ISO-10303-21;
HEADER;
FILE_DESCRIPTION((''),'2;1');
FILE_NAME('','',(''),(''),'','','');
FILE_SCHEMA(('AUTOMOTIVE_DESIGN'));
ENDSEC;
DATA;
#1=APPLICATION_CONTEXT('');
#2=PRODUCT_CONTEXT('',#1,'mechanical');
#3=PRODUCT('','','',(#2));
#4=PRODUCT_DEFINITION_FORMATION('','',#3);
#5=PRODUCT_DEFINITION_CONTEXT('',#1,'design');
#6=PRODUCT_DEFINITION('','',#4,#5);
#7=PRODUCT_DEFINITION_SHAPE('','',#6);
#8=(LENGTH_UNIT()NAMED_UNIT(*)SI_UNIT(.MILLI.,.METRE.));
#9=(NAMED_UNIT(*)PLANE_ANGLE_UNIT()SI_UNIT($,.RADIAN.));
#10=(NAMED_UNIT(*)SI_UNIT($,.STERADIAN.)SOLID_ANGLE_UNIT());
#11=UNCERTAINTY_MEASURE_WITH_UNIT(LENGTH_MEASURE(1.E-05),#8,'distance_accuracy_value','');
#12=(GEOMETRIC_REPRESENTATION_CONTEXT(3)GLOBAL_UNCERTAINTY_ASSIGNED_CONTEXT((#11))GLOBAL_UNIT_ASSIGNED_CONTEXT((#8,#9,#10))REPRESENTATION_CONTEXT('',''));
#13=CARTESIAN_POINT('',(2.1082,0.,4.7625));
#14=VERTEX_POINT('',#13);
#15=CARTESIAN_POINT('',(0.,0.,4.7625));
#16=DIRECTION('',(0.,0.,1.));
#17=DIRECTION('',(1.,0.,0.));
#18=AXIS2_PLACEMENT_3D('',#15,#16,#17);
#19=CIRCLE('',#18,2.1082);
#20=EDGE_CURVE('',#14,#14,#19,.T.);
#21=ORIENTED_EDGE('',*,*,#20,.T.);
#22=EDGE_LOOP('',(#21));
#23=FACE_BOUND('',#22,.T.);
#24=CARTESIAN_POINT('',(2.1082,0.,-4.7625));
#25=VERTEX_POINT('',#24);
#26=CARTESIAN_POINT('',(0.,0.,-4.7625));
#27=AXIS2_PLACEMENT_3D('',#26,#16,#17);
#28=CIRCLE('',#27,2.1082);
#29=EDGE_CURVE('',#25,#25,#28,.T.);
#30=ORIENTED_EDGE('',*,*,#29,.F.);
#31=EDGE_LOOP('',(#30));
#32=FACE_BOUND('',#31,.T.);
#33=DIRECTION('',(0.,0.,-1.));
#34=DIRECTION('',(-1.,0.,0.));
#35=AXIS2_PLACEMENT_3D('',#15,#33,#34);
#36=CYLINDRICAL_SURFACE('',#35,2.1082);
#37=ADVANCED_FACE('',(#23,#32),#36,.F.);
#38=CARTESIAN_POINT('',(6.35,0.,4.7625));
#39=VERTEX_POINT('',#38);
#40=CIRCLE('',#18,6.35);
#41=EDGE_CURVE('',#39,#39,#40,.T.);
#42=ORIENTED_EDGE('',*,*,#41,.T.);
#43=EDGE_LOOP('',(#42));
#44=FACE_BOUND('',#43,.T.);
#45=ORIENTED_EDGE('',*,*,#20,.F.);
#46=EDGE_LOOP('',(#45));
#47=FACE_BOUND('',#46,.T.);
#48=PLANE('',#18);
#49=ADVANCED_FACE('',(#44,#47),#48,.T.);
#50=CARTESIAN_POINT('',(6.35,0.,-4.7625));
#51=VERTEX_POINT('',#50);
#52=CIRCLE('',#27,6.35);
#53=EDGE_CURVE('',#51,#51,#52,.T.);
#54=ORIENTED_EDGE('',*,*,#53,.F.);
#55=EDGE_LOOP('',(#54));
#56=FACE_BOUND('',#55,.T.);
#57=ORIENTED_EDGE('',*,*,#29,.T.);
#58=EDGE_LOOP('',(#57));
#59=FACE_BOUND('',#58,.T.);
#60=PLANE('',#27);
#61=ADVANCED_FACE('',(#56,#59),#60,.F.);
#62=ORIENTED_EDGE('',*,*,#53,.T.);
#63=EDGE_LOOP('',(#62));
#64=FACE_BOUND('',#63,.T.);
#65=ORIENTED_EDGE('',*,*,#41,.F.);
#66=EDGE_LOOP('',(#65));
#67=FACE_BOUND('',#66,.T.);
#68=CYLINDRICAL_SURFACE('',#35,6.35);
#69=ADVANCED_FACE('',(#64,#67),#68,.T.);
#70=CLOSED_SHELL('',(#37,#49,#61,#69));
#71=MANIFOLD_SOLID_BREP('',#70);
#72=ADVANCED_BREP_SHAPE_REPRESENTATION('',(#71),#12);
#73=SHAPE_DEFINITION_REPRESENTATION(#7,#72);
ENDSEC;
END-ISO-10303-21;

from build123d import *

# Parameters (mm, degrees)
SKETCH1_R      = 6.35
SKETCH1_R_2    = 2.1082
EXTRUDE1_DEPTH = 4.7625


with BuildPart() as part:
    # Sketch1 → Extrude1 (new body, symmetric)
    with BuildSketch(Plane.XY):
        Circle(SKETCH1_R)
        Circle(SKETCH1_R_2, mode=Mode.SUBTRACT)
    extrude(amount=EXTRUDE1_DEPTH, both=True)


solid = part.part
